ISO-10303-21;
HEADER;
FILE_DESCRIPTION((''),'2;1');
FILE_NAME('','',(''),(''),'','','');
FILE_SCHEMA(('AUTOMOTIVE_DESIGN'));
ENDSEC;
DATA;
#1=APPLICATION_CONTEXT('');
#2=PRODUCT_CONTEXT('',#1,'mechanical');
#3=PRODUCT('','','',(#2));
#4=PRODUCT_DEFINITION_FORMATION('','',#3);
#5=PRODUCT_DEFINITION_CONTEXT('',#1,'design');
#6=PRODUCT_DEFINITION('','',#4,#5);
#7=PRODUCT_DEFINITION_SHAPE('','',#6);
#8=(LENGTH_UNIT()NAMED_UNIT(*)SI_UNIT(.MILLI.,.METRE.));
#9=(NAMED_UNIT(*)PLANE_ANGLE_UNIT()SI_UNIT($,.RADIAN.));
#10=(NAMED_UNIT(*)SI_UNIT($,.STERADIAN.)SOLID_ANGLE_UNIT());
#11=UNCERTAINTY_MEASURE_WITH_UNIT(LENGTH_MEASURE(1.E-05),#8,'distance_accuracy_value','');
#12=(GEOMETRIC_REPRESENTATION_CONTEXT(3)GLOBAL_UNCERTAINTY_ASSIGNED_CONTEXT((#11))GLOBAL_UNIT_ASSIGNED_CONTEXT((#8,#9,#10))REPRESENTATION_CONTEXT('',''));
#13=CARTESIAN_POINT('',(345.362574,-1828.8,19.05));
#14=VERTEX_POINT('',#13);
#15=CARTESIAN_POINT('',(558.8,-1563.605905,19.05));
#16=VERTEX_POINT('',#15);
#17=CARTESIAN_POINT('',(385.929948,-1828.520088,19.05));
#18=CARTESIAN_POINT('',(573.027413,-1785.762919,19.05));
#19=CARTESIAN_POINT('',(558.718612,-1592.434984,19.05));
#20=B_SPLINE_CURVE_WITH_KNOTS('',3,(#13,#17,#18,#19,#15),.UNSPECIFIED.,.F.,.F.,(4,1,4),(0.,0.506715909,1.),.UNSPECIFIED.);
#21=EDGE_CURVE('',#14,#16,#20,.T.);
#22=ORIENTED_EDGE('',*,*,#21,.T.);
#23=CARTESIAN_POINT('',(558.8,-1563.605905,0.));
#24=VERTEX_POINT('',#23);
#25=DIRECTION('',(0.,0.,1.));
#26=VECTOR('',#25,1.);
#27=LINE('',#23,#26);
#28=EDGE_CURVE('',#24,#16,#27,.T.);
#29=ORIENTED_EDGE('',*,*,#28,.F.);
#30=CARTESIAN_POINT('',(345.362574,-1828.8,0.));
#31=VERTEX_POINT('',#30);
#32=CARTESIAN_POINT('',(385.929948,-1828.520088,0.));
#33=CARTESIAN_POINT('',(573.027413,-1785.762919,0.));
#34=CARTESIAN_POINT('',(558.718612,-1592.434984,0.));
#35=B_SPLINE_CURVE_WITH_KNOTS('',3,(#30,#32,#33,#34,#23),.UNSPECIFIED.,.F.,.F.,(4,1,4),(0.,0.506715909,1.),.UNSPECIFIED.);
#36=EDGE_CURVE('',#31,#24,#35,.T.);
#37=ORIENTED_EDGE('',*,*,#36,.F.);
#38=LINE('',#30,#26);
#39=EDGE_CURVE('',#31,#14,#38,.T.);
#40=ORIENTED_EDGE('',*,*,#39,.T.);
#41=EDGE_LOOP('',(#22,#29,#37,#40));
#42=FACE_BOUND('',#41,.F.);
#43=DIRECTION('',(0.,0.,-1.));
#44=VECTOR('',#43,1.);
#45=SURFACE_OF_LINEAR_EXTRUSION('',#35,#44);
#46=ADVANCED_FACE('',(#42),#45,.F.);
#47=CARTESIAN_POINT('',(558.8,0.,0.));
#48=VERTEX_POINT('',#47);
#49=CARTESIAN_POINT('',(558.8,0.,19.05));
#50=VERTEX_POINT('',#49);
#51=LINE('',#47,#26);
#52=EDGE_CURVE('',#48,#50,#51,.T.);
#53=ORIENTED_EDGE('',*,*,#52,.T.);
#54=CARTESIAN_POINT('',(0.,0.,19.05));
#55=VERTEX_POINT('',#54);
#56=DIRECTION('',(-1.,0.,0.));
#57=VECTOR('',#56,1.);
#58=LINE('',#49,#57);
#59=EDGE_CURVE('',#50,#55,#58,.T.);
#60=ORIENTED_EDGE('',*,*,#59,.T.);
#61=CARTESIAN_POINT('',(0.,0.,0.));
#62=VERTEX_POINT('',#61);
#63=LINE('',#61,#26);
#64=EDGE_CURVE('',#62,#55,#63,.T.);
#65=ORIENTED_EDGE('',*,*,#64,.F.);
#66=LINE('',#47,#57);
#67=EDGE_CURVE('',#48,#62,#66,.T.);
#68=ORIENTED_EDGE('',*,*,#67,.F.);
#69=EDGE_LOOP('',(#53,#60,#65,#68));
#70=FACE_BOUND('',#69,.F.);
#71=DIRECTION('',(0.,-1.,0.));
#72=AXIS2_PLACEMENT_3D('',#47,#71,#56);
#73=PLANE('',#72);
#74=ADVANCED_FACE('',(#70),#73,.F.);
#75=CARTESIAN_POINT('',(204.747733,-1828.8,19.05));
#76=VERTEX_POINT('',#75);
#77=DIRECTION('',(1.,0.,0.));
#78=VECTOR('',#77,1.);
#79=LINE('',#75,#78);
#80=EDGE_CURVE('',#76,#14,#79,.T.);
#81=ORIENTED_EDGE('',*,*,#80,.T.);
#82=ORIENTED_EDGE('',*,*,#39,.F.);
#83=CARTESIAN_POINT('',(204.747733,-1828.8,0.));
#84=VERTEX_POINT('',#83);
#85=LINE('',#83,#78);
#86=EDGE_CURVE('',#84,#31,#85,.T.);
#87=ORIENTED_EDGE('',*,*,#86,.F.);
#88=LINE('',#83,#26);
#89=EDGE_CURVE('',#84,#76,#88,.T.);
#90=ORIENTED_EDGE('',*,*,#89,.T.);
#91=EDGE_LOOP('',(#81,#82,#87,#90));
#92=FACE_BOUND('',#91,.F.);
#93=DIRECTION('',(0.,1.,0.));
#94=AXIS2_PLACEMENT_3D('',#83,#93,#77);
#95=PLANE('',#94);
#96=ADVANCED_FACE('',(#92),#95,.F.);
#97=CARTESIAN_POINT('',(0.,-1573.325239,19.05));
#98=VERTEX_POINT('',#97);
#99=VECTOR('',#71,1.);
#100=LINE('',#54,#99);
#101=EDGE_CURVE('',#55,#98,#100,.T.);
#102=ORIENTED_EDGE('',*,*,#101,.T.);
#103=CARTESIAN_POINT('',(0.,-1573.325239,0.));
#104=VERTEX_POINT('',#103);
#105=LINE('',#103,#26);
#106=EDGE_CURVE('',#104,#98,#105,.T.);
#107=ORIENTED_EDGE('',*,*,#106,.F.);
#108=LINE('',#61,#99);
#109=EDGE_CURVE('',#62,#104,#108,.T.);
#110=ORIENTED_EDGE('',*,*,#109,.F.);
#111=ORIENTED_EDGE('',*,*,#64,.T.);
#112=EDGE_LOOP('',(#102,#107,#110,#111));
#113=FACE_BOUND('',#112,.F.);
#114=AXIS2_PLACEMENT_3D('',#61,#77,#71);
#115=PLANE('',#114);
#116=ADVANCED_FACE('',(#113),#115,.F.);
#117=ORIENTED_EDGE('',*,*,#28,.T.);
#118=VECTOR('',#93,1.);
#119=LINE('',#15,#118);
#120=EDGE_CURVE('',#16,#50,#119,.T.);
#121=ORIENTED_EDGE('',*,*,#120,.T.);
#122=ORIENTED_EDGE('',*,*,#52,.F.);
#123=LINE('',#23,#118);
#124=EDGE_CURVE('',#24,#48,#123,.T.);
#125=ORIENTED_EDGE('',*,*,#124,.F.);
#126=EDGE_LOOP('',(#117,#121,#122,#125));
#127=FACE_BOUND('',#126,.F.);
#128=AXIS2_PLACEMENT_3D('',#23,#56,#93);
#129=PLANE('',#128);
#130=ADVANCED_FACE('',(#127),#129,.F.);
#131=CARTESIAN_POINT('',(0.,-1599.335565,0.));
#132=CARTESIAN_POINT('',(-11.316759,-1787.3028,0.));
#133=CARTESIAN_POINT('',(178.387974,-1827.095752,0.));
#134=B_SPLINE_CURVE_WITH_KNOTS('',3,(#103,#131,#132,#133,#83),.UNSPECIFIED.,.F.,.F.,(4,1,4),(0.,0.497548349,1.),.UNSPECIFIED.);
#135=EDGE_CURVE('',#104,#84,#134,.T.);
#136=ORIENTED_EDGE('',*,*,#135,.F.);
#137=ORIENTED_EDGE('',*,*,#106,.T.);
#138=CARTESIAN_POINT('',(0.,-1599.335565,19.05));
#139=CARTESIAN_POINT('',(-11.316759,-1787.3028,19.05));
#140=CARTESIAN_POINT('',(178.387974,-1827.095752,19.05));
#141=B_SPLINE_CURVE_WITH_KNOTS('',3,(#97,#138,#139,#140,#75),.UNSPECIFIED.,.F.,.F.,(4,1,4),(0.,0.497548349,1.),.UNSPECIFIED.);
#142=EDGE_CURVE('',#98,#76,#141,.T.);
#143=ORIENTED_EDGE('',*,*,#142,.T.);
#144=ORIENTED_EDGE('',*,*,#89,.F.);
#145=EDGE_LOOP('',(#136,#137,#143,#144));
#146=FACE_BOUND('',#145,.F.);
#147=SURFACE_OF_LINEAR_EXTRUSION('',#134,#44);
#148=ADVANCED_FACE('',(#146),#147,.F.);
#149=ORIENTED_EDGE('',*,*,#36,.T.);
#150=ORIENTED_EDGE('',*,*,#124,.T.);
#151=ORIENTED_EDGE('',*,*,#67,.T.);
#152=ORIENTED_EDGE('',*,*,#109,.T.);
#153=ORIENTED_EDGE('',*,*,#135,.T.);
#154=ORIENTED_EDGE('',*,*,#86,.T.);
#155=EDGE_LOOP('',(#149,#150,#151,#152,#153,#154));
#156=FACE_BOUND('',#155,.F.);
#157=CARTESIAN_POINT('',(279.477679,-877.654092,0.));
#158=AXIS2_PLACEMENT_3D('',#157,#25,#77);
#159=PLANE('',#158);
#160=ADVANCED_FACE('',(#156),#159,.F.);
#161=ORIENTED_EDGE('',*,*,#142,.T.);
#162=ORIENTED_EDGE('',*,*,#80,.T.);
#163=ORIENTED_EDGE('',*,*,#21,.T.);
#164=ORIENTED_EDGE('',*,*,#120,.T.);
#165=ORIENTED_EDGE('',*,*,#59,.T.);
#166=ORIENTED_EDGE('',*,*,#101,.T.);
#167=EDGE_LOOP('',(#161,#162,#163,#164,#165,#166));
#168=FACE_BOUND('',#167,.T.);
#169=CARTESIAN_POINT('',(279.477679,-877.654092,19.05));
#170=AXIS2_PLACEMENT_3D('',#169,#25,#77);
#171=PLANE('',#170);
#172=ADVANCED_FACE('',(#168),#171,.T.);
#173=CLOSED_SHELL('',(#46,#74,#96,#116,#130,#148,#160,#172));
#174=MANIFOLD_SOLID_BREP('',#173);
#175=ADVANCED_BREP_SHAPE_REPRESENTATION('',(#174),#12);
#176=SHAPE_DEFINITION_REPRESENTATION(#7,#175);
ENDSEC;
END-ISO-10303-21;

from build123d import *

# Parameters (mm, degrees)
F1_DEPTH = 19.05


with BuildPart() as f1:
    # F0 (on Top) → F1 (new body)
    with BuildSketch(Plane.XY):
        with BuildLine():
            Line((558.8, 0), (0, 0))
            Line((0, 0), (0, -1573.3252388448))
            add(Edge.make_bspline(
                [(0, -1573.3252388448), (0, -1599.3355649967), (-11.3167588952, -1787.3028003545), (178.3879735857, -1827.0957518131), (204.7477325159, -1828.8)],
                knots=[0, 0, 0, 0, 0.4975483488, 1, 1, 1, 1], degree=3))
            Line((204.7477325159, -1828.8), (345.3625738621, -1828.8))
            add(Edge.make_bspline(
                [(345.3625738621, -1828.8), (385.9299482714, -1828.5200882781), (573.027412907, -1785.7629185932), (558.7186116148, -1592.4349843346), (558.8, -1563.6059045792)],
                knots=[0, 0, 0, 0, 0.5067159085, 1, 1, 1, 1], degree=3))
            Line((558.8, -1563.6059045792), (558.8, 0))
        make_face()
    extrude(amount=F1_DEPTH)


solid = f1.part
